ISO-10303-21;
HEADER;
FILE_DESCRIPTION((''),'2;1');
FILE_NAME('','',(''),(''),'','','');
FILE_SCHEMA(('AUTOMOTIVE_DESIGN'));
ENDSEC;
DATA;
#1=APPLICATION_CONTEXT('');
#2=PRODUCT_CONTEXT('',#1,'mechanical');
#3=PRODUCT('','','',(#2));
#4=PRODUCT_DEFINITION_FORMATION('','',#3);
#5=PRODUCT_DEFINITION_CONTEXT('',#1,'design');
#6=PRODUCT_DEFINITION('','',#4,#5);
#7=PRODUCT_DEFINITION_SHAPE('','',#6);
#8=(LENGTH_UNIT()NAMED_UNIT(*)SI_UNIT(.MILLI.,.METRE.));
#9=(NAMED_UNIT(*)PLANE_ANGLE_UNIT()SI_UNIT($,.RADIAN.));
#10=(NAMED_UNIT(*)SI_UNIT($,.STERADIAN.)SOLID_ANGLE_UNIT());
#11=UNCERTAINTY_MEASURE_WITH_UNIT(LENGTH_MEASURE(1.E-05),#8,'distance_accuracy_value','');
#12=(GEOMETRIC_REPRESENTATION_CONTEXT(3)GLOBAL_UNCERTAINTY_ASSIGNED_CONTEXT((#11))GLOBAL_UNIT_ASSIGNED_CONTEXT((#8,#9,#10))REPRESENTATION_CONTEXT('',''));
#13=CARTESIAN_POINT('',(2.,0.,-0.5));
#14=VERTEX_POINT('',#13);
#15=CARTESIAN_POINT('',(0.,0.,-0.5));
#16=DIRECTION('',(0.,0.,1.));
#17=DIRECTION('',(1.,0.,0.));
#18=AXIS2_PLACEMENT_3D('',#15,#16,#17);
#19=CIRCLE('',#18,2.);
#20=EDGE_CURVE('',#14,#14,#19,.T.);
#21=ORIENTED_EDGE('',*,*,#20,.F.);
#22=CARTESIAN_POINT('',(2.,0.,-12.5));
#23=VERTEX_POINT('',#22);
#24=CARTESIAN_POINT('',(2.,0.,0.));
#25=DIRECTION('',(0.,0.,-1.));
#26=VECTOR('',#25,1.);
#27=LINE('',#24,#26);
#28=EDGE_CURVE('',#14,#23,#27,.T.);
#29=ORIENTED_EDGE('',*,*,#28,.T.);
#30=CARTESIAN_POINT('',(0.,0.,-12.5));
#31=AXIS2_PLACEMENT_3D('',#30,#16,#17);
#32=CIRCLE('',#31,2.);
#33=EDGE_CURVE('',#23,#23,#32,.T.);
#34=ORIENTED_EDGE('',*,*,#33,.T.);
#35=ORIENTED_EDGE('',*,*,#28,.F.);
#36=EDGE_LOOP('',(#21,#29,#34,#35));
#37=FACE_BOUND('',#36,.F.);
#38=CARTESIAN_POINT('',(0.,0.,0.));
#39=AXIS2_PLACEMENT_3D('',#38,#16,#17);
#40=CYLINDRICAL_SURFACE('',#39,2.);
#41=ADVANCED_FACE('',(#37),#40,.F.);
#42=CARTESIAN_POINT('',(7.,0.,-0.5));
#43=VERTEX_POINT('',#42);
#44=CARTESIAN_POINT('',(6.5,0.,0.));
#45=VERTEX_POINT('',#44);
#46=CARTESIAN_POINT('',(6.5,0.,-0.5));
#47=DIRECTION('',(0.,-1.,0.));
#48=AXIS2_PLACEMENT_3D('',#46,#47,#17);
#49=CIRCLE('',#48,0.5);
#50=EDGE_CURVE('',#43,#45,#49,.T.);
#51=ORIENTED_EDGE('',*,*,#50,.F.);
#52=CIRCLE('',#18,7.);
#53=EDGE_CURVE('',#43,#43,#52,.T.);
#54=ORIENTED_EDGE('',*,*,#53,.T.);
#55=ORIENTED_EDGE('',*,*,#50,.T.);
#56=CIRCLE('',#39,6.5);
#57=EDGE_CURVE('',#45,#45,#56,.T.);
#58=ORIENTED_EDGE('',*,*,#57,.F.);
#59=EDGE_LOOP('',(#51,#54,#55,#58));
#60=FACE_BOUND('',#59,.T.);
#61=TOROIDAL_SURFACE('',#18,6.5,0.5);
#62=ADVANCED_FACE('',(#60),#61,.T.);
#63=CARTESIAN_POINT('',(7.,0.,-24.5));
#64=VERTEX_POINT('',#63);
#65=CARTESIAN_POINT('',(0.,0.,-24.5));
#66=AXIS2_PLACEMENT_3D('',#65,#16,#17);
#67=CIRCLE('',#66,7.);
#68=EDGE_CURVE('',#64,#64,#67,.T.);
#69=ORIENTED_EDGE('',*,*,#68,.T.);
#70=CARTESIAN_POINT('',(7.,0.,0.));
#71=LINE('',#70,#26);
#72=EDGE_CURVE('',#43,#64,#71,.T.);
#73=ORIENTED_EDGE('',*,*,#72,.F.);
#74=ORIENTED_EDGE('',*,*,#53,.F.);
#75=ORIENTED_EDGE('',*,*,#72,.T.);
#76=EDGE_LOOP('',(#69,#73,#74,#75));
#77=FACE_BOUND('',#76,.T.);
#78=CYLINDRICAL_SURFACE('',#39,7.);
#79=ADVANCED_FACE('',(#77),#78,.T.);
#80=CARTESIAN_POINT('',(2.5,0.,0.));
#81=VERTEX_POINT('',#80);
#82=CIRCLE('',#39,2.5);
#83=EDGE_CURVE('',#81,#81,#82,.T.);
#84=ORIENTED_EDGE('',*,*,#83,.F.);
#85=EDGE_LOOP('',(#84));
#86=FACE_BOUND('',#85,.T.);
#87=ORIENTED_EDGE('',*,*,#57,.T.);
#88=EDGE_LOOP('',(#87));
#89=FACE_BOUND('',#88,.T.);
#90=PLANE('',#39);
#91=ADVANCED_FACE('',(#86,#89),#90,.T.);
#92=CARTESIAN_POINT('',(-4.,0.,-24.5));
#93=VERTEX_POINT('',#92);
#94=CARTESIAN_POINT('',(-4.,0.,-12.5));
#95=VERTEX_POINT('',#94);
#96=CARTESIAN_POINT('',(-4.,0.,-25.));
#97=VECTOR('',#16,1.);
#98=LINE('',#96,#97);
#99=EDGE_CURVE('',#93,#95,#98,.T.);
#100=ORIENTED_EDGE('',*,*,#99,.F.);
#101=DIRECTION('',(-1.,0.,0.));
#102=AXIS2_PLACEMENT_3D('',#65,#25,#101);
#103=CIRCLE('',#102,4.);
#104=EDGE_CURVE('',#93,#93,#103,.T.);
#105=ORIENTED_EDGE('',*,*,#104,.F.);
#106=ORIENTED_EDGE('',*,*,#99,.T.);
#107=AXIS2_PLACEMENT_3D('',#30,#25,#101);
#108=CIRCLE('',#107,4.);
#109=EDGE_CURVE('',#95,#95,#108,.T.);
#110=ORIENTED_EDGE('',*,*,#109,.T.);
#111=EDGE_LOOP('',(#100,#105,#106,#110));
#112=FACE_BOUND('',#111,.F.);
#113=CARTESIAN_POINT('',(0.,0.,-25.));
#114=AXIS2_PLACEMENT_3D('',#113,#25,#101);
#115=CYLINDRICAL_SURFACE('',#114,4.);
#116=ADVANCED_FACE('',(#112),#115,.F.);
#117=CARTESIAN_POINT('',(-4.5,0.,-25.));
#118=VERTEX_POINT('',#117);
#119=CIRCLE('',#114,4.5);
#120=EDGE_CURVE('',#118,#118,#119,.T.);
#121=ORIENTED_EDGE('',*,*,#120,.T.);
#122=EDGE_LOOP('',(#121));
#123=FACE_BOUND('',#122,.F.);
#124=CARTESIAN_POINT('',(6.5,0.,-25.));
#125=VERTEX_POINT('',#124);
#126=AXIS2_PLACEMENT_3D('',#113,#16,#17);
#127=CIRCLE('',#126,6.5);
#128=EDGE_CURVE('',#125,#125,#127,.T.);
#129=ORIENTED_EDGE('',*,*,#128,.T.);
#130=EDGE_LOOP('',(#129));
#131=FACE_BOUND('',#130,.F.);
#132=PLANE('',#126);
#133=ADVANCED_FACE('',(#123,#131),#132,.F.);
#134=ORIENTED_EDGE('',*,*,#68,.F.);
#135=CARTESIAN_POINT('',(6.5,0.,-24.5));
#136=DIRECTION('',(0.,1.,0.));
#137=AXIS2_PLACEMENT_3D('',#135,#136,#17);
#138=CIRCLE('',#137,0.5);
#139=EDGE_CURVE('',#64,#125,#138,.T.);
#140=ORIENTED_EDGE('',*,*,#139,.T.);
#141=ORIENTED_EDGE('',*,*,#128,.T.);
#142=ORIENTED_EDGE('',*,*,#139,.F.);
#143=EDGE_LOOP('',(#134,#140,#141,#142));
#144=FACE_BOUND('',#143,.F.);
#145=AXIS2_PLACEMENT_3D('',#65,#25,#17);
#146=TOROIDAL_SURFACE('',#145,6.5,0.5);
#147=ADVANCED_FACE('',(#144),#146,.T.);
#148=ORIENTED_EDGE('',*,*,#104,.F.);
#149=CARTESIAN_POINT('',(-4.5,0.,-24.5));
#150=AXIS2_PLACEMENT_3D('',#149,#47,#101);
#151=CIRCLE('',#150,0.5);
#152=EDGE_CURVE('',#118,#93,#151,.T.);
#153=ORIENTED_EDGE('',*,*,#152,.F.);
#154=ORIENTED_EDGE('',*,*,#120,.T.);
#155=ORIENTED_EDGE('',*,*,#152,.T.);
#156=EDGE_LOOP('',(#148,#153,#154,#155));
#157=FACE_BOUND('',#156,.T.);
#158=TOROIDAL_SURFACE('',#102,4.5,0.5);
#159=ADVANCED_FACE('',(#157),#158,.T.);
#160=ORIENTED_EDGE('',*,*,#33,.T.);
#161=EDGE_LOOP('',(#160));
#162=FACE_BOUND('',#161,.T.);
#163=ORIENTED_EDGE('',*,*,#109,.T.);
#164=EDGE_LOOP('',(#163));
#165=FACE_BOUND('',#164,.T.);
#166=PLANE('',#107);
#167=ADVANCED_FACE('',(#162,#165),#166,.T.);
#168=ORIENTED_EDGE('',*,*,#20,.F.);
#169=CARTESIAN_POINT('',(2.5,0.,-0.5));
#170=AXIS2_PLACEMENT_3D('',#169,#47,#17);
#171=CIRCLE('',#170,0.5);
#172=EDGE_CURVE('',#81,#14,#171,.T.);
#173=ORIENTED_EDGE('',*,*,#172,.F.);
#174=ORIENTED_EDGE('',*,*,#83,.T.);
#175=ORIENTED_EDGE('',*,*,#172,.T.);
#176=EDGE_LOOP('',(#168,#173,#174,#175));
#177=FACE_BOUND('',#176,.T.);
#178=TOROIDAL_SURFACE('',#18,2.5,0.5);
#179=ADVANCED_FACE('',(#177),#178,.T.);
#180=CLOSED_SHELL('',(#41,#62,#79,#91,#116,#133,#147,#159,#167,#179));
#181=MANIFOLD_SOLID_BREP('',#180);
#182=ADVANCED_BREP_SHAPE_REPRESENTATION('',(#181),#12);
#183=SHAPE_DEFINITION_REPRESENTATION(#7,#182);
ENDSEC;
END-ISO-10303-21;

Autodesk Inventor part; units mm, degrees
ref_plane "YZ Plane" through (0, 0, 0) normal (1, 0, 0) x (0, 1, 0)
ref_plane "XZ Plane" through (0, 0, 0) normal (0, 1, 0) x (-1, 0, 0)
ref_plane "XY Plane" through (0, 0, 0) normal (0, 0, 1) x (1, 0, 0)
sketch "スケッチ1" plane through (0, 0, 0) normal (0, 0, 1) x (1, 0, 0)
  circle A0 centre (0, 0) radius 7
  dimension "d0" = 14
extrude "押し出し1" add sketch "スケッチ1" against normal blind 25
sketch "スケッチ2" plane through (0, 0, 0) normal (0, 0, 1) x (1, 0, 0)
  circle A0 centre (0, 0) radius 2
  dimension "d3" = 4
sketch "スケッチ3" plane through (0, 0, -25) normal (0, 0, -1) x (-1, 0, 0)
  circle A0 centre (0, 0) radius 4
  dimension "d4" = 8
extrude "押し出し2" cut sketch "スケッチ3" against normal blind 12.5
extrude "押し出し3" cut sketch "スケッチ2" against normal blind 12.5
fillet "フィレット1" radius 0.5 1 edges at (-7, 0, 0)
fillet "フィレット2" radius 0.5 3 edges at (-2, 0, 0) (-7, 0, -25) (4, 0, -25)
properties part number "4mm-8mmカップリング"
